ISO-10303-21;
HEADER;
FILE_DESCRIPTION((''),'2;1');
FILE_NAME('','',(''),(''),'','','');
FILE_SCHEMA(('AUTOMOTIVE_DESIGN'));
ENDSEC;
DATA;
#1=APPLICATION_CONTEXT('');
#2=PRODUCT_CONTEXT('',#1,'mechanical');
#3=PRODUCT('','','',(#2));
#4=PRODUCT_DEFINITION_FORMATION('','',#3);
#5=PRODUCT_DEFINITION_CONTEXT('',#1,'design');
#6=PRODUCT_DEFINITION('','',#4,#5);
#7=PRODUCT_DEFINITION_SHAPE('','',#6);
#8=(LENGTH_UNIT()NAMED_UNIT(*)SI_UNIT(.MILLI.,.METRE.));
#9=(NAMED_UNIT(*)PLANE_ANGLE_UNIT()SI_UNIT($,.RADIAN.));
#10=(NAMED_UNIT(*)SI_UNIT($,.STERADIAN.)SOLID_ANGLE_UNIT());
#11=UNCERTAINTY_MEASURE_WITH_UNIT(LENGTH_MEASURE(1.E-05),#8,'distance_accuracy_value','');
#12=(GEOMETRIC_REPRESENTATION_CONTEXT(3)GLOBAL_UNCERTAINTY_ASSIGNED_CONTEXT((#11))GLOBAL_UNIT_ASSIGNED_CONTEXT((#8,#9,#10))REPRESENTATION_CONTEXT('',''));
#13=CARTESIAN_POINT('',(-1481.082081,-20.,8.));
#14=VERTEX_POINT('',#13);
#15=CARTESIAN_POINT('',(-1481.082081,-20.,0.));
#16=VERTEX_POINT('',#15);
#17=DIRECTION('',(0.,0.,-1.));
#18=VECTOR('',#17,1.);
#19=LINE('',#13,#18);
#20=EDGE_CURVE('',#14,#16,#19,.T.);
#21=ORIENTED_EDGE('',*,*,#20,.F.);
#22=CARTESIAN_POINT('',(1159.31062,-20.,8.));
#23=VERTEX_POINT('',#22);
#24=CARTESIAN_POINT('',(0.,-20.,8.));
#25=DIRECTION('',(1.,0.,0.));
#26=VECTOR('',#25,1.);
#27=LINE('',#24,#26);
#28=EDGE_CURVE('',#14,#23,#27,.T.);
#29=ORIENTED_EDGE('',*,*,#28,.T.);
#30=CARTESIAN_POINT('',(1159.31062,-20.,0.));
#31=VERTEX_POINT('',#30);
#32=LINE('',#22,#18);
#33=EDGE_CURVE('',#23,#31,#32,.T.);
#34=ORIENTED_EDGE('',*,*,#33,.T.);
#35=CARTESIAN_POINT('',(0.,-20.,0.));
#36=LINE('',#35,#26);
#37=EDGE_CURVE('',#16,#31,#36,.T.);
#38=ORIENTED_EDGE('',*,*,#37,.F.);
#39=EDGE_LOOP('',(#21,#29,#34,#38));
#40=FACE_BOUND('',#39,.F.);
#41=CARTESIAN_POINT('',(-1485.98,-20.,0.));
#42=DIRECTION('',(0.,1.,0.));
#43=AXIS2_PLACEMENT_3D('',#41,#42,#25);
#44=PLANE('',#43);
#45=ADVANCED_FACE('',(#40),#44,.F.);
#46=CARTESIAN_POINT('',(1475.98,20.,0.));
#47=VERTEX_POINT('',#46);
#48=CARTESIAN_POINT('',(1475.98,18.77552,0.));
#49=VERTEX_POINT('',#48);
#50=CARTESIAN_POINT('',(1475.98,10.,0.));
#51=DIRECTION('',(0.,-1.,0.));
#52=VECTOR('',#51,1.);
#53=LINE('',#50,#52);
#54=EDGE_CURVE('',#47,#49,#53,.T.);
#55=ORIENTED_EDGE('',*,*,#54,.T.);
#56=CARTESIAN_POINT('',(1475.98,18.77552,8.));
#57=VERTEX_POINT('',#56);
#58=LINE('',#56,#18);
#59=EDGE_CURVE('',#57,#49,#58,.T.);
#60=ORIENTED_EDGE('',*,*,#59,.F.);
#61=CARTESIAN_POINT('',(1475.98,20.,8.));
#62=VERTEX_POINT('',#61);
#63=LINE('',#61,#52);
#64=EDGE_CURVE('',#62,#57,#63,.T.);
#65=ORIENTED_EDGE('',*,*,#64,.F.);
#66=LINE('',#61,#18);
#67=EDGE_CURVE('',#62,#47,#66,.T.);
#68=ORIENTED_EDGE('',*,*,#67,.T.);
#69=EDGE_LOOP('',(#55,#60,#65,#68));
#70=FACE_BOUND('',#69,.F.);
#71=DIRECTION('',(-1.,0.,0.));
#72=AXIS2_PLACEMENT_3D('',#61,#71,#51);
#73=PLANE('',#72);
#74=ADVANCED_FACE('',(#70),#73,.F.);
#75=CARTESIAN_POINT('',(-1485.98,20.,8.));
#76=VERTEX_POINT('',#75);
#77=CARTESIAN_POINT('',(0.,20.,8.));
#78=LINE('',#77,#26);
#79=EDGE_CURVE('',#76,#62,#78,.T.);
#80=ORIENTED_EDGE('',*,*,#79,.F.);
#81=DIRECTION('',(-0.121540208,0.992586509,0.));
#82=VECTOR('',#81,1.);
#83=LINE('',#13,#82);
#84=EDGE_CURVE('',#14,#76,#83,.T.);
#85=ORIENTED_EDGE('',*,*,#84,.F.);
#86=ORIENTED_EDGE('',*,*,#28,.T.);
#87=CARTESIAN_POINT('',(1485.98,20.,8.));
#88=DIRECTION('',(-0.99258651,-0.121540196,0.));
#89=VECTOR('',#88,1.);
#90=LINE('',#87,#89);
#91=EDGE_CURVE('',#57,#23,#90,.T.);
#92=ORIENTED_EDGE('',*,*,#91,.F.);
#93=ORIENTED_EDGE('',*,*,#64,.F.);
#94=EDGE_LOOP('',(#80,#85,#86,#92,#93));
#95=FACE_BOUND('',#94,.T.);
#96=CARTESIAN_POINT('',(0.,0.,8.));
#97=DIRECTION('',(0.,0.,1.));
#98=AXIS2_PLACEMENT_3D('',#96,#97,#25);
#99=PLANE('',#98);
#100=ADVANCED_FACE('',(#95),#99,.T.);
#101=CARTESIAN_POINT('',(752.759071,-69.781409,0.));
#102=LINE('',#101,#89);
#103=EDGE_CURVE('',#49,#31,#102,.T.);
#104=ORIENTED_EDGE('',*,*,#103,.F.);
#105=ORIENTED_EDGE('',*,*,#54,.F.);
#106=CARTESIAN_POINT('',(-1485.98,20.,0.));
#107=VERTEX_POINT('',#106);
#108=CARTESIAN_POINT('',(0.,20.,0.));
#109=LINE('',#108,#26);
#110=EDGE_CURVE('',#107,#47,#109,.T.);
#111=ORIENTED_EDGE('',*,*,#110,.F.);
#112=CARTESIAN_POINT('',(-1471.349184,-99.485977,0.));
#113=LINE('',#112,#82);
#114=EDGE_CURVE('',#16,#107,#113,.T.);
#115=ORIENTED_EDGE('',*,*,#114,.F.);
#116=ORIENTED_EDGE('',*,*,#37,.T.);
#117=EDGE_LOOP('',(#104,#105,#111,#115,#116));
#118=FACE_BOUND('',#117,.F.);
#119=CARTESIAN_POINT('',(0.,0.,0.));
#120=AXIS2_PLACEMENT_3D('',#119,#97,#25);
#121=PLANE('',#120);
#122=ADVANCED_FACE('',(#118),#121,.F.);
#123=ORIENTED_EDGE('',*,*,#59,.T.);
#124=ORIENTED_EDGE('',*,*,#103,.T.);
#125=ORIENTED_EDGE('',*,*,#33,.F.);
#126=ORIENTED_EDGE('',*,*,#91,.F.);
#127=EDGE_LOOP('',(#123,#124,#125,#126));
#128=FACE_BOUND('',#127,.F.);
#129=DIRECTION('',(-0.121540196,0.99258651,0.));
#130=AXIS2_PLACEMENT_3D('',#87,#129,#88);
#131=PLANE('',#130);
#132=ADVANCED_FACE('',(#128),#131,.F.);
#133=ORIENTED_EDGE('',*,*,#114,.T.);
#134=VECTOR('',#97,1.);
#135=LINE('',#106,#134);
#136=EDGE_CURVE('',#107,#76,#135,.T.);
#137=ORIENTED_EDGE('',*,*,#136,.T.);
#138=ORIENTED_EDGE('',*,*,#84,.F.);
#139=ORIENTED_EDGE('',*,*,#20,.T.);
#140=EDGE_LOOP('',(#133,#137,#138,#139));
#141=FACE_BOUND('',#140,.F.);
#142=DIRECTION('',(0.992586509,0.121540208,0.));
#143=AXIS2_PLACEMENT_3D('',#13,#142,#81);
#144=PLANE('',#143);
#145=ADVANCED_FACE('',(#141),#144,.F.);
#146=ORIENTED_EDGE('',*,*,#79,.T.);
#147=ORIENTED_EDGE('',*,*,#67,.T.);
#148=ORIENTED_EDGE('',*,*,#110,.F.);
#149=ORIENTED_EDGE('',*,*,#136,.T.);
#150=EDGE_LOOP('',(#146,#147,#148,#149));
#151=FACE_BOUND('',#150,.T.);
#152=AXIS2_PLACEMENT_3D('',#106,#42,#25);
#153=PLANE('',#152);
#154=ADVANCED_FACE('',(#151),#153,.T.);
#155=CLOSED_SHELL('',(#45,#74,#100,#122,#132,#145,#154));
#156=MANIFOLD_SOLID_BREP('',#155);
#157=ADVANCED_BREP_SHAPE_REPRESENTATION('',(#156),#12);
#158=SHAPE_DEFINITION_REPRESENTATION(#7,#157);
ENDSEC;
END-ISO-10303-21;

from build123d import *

# Parameters (mm, degrees)
F0_W     = 2971.96
F0_H     = 40
F1_DEPTH = 8
F3_DEPTH = 100
F5_DEPTH = 25
F7_DEPTH = 25


with BuildPart() as f1:
    # F0 (on Top) → F1 (new body)
    with BuildSketch(Plane.XY):
        Rectangle(F0_W, F0_H)
    extrude(amount=F1_DEPTH)

    # F2 (on face) → F3 (cut)
    with BuildSketch(Plane.XY.offset(8)):
        Polygon((1485.98, -20), (1485.98, 20), (1159.31062, -20), align=None)
    extrude(amount=-F3_DEPTH, mode=Mode.SUBTRACT)

    # F4 (on face) → F5 (cut)
    with BuildSketch(Plane.XY.offset(8)):
        Polygon((1475.98, 18.77552), (1485.98, 20), (1475.98, 20), align=None)
    extrude(amount=-F5_DEPTH, mode=Mode.SUBTRACT)

    # F6 (on face) → F7 (cut)
    with BuildSketch(Plane.XY.offset(8)):
        Polygon((-1481.082081, -20), (-1485.98, 20), (-1485.98, -20), align=None)
    extrude(amount=-F7_DEPTH, mode=Mode.SUBTRACT)


solid = f1.part
